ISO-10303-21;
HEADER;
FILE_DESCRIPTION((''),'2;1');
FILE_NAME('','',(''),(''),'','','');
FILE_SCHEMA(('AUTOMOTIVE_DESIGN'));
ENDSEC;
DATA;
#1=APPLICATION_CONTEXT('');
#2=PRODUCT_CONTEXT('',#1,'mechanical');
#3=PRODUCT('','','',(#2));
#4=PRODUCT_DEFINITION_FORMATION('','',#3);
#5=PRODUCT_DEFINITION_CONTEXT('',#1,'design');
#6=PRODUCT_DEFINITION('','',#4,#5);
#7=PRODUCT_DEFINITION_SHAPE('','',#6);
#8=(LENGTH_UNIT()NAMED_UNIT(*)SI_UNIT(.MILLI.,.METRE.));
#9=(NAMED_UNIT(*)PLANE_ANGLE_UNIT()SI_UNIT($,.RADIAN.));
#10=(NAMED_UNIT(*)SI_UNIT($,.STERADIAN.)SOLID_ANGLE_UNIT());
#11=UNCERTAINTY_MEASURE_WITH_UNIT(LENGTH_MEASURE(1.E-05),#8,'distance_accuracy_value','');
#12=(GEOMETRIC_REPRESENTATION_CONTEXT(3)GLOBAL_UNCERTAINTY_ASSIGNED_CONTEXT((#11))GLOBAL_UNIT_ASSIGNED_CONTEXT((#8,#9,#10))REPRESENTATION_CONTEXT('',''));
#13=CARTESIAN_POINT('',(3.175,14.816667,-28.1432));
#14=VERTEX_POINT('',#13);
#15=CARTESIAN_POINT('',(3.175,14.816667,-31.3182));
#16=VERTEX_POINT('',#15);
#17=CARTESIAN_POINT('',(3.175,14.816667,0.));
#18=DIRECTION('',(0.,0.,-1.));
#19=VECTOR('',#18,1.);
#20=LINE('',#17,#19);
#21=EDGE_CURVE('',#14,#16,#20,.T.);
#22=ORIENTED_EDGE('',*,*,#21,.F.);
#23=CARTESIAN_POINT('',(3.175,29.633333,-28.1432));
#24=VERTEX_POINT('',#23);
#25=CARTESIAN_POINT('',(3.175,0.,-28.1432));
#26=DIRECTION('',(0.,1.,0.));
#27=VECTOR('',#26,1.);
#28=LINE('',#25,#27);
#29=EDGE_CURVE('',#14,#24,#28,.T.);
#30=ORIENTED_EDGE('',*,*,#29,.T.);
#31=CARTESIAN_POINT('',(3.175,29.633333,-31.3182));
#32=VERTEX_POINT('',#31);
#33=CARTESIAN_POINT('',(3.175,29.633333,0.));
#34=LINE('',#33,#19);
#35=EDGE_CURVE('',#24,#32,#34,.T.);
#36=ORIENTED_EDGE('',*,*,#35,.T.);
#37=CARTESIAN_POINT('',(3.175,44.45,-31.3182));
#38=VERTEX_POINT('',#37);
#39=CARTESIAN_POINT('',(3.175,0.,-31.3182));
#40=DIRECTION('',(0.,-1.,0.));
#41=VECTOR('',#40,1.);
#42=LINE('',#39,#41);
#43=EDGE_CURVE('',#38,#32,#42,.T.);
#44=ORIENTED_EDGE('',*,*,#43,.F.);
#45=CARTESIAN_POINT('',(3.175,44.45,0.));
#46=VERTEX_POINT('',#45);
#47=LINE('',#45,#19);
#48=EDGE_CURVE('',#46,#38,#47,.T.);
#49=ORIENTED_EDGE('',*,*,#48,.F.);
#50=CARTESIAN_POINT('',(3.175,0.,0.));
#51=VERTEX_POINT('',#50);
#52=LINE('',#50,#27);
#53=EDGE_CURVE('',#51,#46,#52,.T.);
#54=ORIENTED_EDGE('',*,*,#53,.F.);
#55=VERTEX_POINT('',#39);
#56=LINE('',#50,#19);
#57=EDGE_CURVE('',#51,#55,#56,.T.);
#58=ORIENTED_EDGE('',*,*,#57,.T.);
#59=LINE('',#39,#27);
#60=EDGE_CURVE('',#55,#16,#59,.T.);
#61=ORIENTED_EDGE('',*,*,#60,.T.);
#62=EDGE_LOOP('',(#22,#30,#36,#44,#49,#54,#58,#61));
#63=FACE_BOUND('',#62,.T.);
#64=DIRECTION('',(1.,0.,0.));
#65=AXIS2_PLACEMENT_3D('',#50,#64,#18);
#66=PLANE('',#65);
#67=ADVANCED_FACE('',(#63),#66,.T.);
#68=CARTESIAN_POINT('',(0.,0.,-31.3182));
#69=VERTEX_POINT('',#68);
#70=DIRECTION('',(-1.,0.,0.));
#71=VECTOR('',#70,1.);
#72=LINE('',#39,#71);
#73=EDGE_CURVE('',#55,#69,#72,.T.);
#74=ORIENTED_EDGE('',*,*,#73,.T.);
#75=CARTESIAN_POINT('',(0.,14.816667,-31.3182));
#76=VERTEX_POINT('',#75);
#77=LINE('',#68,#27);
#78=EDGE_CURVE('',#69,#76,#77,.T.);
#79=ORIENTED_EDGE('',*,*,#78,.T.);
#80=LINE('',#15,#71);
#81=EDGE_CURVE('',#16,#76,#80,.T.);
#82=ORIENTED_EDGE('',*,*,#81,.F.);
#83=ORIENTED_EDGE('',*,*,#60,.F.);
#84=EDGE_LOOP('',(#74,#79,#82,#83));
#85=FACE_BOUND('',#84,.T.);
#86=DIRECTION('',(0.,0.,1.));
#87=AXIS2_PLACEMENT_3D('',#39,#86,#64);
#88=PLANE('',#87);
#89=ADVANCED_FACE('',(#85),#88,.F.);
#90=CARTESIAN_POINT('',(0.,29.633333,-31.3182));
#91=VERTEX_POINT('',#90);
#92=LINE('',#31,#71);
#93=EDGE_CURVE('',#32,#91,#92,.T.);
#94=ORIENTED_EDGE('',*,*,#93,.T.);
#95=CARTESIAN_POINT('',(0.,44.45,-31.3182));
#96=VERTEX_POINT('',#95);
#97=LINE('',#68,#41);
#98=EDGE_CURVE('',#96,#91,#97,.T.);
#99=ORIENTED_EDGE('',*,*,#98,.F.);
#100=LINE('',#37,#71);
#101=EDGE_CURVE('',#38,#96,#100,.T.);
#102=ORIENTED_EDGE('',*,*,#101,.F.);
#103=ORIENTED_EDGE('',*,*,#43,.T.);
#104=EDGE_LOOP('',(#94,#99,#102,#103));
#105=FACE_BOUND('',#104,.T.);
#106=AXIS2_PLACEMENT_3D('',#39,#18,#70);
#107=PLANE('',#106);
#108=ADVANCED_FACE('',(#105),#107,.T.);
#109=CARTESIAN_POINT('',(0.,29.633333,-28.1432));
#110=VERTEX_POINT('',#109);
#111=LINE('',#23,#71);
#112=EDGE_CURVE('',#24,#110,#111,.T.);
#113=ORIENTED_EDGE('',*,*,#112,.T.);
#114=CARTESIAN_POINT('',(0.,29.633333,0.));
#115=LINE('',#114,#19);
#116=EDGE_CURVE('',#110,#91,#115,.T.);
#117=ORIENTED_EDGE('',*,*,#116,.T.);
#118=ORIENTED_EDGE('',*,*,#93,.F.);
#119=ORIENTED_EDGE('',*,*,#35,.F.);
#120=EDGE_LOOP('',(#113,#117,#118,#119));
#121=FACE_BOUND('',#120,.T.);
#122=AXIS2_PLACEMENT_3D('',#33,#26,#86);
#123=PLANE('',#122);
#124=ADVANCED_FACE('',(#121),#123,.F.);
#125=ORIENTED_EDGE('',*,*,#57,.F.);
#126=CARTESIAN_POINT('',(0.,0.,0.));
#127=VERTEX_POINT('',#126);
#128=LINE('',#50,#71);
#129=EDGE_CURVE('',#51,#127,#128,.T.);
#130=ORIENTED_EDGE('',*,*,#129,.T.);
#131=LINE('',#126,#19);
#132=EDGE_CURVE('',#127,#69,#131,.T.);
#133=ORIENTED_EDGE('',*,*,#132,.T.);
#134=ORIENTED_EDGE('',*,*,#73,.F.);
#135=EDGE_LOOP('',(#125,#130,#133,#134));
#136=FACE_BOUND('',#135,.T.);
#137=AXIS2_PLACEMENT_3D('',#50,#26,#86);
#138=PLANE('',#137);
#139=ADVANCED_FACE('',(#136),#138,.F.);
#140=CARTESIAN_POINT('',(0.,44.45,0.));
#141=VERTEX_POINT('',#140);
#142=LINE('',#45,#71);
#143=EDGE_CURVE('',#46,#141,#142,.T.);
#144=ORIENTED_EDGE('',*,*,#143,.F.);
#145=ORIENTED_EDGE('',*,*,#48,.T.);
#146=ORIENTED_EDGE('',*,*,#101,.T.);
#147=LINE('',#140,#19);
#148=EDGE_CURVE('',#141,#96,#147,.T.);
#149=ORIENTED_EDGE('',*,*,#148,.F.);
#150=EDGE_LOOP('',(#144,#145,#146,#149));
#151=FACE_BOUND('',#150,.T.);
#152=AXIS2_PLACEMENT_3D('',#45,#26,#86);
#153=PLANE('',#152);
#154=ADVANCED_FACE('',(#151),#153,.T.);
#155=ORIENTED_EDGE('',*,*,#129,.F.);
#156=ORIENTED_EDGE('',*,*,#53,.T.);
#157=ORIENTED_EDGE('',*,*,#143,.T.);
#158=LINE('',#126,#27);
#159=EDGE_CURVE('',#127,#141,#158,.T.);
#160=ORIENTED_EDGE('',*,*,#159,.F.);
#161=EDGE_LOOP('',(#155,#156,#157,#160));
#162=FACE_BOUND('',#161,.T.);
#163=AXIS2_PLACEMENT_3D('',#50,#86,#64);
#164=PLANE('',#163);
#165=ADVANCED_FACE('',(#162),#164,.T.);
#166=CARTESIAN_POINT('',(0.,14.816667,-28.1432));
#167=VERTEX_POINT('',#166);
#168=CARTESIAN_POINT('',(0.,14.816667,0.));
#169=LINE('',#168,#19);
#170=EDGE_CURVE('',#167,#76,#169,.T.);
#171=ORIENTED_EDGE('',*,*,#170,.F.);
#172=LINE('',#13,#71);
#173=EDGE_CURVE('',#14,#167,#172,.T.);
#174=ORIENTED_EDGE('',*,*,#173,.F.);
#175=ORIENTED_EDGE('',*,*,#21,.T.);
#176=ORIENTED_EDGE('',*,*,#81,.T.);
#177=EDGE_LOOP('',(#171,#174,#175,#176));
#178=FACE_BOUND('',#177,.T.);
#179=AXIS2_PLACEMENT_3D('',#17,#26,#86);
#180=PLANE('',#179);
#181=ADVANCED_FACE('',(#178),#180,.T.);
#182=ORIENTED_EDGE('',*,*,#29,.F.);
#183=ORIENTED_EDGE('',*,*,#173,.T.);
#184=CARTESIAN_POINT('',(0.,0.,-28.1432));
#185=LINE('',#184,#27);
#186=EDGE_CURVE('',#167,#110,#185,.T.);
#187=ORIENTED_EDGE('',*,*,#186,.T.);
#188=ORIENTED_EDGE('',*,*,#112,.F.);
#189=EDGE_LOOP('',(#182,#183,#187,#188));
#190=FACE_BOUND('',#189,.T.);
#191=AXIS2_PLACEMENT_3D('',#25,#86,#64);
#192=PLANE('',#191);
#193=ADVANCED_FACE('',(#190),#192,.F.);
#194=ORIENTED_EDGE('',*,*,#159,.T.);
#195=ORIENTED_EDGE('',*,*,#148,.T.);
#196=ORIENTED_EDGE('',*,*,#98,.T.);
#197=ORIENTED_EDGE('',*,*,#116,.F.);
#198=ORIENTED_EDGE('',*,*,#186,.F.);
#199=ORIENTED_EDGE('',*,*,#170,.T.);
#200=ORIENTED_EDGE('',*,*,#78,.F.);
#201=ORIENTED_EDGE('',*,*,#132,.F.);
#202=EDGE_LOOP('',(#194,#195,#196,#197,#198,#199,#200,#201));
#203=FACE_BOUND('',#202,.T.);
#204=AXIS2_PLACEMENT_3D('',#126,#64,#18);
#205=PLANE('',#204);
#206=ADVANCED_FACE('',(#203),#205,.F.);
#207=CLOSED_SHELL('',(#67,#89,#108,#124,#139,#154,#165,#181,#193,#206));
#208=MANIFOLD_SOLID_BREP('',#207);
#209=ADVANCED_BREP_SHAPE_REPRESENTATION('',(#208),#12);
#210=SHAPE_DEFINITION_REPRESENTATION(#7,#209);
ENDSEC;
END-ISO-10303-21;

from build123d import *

# Parameters (mm, degrees)
SKETCH1_W           = 28.1432
SKETCH1_H           = 44.45
SKETCH1_W_2         = 3.175
SKETCH1_H_2         = 14.816666667
BOSS_EXTRUDE1_DEPTH = 3.175


with BuildPart() as part:
    # Sketch1 → Boss-Extrude1 (new body)
    with BuildSketch(Plane(origin=(0, 0, 0), x_dir=(0, 0, -1), z_dir=(1, 0, 0))):
        with Locations((14.0716, 22.225)):
            Rectangle(SKETCH1_W, SKETCH1_H)
        with Locations((29.7307, 37.041666667)):
            Rectangle(SKETCH1_W_2, SKETCH1_H_2)
        with Locations((29.7307, 7.408333334)):
            Rectangle(SKETCH1_W_2, SKETCH1_H_2)
    extrude(amount=BOSS_EXTRUDE1_DEPTH)


solid = part.part
